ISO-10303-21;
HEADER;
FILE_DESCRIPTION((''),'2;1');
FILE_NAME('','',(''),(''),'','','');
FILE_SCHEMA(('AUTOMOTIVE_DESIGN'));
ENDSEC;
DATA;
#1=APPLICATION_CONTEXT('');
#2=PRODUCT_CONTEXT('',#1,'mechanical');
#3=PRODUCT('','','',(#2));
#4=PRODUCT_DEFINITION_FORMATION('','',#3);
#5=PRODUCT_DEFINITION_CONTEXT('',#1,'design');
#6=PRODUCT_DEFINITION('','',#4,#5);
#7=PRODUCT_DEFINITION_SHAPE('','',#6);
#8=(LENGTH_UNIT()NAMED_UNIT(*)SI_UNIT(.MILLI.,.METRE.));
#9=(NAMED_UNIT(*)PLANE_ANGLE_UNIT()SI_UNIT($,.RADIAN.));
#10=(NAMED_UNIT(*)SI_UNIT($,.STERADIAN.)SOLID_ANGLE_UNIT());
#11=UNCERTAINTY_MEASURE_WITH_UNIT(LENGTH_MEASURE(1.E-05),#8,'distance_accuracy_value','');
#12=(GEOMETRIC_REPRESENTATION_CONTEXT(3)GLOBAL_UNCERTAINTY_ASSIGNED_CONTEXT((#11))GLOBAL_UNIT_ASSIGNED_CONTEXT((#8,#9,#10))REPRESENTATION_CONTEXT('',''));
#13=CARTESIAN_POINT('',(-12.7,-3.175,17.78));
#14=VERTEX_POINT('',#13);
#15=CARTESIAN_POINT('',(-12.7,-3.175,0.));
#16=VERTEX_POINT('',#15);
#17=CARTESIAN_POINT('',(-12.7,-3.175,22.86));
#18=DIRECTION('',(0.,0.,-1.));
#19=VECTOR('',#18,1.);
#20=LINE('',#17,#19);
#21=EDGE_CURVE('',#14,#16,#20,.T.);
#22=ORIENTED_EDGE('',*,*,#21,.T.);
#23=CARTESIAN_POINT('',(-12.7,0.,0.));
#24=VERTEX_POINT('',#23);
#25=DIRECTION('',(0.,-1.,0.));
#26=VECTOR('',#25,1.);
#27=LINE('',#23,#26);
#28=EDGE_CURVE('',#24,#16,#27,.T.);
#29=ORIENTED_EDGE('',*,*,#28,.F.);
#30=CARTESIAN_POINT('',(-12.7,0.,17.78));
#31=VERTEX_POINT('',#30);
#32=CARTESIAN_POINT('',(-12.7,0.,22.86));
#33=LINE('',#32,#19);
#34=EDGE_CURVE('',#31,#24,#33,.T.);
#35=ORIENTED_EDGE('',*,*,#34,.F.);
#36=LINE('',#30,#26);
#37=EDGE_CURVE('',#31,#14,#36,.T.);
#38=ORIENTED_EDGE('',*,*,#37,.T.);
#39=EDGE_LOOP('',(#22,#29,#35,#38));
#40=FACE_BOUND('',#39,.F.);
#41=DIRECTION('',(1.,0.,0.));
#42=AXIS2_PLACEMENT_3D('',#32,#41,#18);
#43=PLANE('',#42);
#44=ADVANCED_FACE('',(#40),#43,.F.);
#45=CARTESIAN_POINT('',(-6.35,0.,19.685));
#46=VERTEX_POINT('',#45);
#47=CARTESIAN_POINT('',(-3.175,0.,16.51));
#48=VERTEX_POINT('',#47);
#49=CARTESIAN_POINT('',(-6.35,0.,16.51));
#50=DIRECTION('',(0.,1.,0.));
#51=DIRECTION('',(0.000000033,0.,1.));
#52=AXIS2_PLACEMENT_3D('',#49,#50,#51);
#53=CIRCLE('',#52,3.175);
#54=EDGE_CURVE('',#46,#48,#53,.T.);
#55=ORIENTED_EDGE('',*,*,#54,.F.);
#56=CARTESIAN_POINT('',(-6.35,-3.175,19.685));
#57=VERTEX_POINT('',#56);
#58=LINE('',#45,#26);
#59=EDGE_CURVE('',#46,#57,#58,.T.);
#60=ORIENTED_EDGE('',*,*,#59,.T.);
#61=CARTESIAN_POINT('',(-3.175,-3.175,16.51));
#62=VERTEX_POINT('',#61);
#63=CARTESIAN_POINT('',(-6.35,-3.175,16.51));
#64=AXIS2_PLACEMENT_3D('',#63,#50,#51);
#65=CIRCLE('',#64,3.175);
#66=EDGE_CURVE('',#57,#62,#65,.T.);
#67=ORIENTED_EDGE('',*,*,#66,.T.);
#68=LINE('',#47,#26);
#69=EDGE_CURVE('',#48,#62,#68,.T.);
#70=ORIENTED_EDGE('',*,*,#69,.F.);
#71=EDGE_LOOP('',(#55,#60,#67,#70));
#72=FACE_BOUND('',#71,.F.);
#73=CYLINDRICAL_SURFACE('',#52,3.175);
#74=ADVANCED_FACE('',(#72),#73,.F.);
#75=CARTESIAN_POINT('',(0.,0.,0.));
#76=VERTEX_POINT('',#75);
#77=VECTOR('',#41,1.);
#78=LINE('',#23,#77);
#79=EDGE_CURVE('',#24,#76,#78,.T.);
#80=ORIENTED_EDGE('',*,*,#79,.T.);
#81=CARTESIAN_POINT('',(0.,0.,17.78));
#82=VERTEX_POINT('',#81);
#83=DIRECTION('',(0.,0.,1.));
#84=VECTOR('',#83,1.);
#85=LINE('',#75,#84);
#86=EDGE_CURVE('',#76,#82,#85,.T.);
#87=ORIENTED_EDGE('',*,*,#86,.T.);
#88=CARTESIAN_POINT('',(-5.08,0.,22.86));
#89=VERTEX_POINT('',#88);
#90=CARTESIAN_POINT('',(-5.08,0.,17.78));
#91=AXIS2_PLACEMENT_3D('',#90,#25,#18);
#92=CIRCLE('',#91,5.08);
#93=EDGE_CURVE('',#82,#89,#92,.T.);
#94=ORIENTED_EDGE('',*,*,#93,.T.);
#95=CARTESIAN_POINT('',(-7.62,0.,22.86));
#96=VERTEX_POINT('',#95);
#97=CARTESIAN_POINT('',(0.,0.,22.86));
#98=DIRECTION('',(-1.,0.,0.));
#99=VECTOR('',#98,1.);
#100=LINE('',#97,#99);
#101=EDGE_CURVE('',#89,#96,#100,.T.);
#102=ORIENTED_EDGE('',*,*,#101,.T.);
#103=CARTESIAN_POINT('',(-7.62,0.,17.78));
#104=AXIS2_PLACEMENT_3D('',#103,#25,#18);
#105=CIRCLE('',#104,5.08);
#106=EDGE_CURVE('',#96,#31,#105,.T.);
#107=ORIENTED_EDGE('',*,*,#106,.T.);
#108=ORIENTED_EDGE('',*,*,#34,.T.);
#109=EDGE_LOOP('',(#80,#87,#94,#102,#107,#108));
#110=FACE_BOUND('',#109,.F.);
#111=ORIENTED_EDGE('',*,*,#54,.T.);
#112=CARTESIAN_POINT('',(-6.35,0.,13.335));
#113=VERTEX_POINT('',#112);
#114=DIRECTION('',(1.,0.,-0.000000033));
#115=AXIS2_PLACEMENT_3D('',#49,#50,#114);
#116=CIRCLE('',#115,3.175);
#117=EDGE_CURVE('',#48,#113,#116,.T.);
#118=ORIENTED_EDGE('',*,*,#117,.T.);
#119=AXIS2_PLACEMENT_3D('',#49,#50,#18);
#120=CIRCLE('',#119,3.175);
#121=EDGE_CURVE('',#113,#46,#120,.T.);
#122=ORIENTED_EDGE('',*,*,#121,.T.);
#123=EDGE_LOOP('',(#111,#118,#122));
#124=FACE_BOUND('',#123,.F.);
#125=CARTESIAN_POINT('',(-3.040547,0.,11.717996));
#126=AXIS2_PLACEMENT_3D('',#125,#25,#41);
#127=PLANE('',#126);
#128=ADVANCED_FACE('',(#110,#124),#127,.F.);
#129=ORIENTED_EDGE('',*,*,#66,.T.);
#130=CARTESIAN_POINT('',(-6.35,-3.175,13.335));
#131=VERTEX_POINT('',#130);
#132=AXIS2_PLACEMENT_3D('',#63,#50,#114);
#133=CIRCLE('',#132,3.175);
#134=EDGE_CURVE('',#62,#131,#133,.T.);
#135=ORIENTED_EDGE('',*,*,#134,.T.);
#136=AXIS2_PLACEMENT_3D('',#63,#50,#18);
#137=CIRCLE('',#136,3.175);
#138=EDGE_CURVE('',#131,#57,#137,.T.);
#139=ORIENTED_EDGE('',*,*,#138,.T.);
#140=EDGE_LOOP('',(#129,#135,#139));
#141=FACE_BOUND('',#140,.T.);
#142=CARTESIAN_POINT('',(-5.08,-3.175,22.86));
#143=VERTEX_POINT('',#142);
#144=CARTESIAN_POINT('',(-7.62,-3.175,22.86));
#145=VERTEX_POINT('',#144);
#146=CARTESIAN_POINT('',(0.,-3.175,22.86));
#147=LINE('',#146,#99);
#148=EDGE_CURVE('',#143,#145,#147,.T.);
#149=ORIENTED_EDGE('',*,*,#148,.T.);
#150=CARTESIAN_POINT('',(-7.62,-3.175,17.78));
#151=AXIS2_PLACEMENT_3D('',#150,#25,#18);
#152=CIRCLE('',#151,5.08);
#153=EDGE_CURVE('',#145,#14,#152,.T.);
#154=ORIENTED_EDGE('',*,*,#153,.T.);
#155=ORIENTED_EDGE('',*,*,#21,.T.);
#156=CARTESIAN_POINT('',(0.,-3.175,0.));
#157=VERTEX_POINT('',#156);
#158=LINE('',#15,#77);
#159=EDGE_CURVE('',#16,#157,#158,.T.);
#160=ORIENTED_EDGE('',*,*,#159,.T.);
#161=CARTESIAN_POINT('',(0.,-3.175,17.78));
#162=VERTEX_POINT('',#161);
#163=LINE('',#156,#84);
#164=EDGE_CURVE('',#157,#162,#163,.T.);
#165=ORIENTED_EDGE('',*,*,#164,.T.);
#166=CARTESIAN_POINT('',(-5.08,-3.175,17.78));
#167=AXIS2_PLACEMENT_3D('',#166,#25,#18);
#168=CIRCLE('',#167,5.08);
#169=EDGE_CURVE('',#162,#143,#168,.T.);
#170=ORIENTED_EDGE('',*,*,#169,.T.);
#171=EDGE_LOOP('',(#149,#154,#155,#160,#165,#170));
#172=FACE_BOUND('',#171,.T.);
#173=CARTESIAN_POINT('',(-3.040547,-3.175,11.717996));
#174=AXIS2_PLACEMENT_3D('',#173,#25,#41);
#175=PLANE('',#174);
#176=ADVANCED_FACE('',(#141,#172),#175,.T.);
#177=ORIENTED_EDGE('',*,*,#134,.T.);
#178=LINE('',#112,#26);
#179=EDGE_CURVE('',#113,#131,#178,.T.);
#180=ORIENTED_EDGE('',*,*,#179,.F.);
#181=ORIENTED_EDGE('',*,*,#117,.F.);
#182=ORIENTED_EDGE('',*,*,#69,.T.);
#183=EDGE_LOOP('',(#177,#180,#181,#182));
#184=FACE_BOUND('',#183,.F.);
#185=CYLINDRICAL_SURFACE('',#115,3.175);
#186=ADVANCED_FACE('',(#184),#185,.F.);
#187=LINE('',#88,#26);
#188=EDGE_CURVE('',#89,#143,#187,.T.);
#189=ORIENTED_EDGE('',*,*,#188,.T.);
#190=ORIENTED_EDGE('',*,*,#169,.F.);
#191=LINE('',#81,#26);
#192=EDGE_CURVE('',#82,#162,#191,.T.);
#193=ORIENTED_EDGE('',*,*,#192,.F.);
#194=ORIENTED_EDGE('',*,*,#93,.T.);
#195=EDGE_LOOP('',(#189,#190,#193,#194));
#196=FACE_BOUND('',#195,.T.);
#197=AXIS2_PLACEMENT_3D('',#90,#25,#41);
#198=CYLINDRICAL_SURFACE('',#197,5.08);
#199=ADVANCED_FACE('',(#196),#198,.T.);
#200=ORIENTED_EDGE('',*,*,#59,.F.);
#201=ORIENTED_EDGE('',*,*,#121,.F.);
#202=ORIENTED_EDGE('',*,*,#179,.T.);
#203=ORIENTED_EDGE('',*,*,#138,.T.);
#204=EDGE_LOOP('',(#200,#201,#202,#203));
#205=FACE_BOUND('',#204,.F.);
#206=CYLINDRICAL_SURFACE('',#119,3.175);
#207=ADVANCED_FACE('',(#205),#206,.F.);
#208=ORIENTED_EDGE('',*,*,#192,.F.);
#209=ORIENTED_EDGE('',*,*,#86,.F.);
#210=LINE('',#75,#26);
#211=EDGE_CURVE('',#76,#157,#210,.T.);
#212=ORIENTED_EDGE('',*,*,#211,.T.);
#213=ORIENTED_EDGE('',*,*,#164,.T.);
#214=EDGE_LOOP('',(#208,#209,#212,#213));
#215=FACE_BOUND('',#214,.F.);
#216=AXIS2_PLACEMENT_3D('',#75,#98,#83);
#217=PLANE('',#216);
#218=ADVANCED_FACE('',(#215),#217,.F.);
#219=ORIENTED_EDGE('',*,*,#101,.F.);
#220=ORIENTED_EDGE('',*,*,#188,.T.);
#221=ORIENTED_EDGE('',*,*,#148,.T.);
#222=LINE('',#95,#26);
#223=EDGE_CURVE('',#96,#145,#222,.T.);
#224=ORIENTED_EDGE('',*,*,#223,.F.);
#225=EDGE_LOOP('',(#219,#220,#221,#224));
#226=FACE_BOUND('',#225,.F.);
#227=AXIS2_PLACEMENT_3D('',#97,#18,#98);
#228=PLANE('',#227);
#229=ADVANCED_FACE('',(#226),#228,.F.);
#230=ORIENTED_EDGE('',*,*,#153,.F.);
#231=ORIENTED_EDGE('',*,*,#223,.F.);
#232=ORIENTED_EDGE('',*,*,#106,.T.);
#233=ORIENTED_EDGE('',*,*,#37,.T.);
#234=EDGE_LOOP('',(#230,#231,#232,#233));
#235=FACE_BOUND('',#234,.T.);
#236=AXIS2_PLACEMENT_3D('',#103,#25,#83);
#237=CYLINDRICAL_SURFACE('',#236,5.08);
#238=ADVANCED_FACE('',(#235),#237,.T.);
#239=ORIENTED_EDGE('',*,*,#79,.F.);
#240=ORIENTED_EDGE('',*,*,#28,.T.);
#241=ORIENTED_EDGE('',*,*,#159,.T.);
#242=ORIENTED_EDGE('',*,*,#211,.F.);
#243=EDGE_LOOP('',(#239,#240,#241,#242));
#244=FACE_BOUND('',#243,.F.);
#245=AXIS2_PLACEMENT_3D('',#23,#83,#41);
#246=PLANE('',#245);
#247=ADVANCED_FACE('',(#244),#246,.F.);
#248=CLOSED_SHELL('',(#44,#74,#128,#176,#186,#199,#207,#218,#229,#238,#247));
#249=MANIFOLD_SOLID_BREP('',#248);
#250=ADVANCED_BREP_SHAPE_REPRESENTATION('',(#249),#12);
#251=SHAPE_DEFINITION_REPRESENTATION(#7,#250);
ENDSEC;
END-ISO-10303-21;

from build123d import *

# Parameters (mm, degrees)
F1_DEPTH = 3.175
F2_R     = 5.08
F3_R     = 5.08


with BuildPart() as f1:
    # F0 (on Front) → F1 (new body)
    with BuildSketch(Plane.XZ):
        with BuildLine():
            Line((-6.35, 0), (0, 0))
            Line((0, 0), (0, 22.86))
            Line((0, 22.86), (-6.35, 22.86))
            Line((-6.35, 22.86), (-6.35, 19.685))
            ThreePointArc((-6.35, 19.685), (-4.104936, 18.755064), (-3.175, 16.51))
            ThreePointArc((-3.175, 16.51), (-4.104936, 14.264936), (-6.35, 13.335))
            Line((-6.35, 13.335), (-6.35, 0))
        make_face()
        with BuildLine():
            Line((-12.7, 0), (-6.35, 0))
            Line((-6.35, 0), (-6.35, 13.335))
            ThreePointArc((-6.35, 13.335), (-9.525, 16.51), (-6.35, 19.685))
            Line((-6.35, 19.685), (-6.35, 22.86))
            Line((-6.35, 22.86), (-12.7, 22.86))
            Line((-12.7, 22.86), (-12.7, 0))
        make_face()
    extrude(amount=F1_DEPTH)

    # F2
    f2_edges = [f1.edges().sort_by_distance(p)[0] for p in [
        (0, -1.5875, 22.86),
    ]]
    fillet(f2_edges, radius=F2_R)

    # F3
    f3_edges = [f1.edges().sort_by_distance(p)[0] for p in [
        (-12.7, -1.5875, 22.86),
    ]]
    fillet(f3_edges, radius=F3_R)


solid = f1.part
